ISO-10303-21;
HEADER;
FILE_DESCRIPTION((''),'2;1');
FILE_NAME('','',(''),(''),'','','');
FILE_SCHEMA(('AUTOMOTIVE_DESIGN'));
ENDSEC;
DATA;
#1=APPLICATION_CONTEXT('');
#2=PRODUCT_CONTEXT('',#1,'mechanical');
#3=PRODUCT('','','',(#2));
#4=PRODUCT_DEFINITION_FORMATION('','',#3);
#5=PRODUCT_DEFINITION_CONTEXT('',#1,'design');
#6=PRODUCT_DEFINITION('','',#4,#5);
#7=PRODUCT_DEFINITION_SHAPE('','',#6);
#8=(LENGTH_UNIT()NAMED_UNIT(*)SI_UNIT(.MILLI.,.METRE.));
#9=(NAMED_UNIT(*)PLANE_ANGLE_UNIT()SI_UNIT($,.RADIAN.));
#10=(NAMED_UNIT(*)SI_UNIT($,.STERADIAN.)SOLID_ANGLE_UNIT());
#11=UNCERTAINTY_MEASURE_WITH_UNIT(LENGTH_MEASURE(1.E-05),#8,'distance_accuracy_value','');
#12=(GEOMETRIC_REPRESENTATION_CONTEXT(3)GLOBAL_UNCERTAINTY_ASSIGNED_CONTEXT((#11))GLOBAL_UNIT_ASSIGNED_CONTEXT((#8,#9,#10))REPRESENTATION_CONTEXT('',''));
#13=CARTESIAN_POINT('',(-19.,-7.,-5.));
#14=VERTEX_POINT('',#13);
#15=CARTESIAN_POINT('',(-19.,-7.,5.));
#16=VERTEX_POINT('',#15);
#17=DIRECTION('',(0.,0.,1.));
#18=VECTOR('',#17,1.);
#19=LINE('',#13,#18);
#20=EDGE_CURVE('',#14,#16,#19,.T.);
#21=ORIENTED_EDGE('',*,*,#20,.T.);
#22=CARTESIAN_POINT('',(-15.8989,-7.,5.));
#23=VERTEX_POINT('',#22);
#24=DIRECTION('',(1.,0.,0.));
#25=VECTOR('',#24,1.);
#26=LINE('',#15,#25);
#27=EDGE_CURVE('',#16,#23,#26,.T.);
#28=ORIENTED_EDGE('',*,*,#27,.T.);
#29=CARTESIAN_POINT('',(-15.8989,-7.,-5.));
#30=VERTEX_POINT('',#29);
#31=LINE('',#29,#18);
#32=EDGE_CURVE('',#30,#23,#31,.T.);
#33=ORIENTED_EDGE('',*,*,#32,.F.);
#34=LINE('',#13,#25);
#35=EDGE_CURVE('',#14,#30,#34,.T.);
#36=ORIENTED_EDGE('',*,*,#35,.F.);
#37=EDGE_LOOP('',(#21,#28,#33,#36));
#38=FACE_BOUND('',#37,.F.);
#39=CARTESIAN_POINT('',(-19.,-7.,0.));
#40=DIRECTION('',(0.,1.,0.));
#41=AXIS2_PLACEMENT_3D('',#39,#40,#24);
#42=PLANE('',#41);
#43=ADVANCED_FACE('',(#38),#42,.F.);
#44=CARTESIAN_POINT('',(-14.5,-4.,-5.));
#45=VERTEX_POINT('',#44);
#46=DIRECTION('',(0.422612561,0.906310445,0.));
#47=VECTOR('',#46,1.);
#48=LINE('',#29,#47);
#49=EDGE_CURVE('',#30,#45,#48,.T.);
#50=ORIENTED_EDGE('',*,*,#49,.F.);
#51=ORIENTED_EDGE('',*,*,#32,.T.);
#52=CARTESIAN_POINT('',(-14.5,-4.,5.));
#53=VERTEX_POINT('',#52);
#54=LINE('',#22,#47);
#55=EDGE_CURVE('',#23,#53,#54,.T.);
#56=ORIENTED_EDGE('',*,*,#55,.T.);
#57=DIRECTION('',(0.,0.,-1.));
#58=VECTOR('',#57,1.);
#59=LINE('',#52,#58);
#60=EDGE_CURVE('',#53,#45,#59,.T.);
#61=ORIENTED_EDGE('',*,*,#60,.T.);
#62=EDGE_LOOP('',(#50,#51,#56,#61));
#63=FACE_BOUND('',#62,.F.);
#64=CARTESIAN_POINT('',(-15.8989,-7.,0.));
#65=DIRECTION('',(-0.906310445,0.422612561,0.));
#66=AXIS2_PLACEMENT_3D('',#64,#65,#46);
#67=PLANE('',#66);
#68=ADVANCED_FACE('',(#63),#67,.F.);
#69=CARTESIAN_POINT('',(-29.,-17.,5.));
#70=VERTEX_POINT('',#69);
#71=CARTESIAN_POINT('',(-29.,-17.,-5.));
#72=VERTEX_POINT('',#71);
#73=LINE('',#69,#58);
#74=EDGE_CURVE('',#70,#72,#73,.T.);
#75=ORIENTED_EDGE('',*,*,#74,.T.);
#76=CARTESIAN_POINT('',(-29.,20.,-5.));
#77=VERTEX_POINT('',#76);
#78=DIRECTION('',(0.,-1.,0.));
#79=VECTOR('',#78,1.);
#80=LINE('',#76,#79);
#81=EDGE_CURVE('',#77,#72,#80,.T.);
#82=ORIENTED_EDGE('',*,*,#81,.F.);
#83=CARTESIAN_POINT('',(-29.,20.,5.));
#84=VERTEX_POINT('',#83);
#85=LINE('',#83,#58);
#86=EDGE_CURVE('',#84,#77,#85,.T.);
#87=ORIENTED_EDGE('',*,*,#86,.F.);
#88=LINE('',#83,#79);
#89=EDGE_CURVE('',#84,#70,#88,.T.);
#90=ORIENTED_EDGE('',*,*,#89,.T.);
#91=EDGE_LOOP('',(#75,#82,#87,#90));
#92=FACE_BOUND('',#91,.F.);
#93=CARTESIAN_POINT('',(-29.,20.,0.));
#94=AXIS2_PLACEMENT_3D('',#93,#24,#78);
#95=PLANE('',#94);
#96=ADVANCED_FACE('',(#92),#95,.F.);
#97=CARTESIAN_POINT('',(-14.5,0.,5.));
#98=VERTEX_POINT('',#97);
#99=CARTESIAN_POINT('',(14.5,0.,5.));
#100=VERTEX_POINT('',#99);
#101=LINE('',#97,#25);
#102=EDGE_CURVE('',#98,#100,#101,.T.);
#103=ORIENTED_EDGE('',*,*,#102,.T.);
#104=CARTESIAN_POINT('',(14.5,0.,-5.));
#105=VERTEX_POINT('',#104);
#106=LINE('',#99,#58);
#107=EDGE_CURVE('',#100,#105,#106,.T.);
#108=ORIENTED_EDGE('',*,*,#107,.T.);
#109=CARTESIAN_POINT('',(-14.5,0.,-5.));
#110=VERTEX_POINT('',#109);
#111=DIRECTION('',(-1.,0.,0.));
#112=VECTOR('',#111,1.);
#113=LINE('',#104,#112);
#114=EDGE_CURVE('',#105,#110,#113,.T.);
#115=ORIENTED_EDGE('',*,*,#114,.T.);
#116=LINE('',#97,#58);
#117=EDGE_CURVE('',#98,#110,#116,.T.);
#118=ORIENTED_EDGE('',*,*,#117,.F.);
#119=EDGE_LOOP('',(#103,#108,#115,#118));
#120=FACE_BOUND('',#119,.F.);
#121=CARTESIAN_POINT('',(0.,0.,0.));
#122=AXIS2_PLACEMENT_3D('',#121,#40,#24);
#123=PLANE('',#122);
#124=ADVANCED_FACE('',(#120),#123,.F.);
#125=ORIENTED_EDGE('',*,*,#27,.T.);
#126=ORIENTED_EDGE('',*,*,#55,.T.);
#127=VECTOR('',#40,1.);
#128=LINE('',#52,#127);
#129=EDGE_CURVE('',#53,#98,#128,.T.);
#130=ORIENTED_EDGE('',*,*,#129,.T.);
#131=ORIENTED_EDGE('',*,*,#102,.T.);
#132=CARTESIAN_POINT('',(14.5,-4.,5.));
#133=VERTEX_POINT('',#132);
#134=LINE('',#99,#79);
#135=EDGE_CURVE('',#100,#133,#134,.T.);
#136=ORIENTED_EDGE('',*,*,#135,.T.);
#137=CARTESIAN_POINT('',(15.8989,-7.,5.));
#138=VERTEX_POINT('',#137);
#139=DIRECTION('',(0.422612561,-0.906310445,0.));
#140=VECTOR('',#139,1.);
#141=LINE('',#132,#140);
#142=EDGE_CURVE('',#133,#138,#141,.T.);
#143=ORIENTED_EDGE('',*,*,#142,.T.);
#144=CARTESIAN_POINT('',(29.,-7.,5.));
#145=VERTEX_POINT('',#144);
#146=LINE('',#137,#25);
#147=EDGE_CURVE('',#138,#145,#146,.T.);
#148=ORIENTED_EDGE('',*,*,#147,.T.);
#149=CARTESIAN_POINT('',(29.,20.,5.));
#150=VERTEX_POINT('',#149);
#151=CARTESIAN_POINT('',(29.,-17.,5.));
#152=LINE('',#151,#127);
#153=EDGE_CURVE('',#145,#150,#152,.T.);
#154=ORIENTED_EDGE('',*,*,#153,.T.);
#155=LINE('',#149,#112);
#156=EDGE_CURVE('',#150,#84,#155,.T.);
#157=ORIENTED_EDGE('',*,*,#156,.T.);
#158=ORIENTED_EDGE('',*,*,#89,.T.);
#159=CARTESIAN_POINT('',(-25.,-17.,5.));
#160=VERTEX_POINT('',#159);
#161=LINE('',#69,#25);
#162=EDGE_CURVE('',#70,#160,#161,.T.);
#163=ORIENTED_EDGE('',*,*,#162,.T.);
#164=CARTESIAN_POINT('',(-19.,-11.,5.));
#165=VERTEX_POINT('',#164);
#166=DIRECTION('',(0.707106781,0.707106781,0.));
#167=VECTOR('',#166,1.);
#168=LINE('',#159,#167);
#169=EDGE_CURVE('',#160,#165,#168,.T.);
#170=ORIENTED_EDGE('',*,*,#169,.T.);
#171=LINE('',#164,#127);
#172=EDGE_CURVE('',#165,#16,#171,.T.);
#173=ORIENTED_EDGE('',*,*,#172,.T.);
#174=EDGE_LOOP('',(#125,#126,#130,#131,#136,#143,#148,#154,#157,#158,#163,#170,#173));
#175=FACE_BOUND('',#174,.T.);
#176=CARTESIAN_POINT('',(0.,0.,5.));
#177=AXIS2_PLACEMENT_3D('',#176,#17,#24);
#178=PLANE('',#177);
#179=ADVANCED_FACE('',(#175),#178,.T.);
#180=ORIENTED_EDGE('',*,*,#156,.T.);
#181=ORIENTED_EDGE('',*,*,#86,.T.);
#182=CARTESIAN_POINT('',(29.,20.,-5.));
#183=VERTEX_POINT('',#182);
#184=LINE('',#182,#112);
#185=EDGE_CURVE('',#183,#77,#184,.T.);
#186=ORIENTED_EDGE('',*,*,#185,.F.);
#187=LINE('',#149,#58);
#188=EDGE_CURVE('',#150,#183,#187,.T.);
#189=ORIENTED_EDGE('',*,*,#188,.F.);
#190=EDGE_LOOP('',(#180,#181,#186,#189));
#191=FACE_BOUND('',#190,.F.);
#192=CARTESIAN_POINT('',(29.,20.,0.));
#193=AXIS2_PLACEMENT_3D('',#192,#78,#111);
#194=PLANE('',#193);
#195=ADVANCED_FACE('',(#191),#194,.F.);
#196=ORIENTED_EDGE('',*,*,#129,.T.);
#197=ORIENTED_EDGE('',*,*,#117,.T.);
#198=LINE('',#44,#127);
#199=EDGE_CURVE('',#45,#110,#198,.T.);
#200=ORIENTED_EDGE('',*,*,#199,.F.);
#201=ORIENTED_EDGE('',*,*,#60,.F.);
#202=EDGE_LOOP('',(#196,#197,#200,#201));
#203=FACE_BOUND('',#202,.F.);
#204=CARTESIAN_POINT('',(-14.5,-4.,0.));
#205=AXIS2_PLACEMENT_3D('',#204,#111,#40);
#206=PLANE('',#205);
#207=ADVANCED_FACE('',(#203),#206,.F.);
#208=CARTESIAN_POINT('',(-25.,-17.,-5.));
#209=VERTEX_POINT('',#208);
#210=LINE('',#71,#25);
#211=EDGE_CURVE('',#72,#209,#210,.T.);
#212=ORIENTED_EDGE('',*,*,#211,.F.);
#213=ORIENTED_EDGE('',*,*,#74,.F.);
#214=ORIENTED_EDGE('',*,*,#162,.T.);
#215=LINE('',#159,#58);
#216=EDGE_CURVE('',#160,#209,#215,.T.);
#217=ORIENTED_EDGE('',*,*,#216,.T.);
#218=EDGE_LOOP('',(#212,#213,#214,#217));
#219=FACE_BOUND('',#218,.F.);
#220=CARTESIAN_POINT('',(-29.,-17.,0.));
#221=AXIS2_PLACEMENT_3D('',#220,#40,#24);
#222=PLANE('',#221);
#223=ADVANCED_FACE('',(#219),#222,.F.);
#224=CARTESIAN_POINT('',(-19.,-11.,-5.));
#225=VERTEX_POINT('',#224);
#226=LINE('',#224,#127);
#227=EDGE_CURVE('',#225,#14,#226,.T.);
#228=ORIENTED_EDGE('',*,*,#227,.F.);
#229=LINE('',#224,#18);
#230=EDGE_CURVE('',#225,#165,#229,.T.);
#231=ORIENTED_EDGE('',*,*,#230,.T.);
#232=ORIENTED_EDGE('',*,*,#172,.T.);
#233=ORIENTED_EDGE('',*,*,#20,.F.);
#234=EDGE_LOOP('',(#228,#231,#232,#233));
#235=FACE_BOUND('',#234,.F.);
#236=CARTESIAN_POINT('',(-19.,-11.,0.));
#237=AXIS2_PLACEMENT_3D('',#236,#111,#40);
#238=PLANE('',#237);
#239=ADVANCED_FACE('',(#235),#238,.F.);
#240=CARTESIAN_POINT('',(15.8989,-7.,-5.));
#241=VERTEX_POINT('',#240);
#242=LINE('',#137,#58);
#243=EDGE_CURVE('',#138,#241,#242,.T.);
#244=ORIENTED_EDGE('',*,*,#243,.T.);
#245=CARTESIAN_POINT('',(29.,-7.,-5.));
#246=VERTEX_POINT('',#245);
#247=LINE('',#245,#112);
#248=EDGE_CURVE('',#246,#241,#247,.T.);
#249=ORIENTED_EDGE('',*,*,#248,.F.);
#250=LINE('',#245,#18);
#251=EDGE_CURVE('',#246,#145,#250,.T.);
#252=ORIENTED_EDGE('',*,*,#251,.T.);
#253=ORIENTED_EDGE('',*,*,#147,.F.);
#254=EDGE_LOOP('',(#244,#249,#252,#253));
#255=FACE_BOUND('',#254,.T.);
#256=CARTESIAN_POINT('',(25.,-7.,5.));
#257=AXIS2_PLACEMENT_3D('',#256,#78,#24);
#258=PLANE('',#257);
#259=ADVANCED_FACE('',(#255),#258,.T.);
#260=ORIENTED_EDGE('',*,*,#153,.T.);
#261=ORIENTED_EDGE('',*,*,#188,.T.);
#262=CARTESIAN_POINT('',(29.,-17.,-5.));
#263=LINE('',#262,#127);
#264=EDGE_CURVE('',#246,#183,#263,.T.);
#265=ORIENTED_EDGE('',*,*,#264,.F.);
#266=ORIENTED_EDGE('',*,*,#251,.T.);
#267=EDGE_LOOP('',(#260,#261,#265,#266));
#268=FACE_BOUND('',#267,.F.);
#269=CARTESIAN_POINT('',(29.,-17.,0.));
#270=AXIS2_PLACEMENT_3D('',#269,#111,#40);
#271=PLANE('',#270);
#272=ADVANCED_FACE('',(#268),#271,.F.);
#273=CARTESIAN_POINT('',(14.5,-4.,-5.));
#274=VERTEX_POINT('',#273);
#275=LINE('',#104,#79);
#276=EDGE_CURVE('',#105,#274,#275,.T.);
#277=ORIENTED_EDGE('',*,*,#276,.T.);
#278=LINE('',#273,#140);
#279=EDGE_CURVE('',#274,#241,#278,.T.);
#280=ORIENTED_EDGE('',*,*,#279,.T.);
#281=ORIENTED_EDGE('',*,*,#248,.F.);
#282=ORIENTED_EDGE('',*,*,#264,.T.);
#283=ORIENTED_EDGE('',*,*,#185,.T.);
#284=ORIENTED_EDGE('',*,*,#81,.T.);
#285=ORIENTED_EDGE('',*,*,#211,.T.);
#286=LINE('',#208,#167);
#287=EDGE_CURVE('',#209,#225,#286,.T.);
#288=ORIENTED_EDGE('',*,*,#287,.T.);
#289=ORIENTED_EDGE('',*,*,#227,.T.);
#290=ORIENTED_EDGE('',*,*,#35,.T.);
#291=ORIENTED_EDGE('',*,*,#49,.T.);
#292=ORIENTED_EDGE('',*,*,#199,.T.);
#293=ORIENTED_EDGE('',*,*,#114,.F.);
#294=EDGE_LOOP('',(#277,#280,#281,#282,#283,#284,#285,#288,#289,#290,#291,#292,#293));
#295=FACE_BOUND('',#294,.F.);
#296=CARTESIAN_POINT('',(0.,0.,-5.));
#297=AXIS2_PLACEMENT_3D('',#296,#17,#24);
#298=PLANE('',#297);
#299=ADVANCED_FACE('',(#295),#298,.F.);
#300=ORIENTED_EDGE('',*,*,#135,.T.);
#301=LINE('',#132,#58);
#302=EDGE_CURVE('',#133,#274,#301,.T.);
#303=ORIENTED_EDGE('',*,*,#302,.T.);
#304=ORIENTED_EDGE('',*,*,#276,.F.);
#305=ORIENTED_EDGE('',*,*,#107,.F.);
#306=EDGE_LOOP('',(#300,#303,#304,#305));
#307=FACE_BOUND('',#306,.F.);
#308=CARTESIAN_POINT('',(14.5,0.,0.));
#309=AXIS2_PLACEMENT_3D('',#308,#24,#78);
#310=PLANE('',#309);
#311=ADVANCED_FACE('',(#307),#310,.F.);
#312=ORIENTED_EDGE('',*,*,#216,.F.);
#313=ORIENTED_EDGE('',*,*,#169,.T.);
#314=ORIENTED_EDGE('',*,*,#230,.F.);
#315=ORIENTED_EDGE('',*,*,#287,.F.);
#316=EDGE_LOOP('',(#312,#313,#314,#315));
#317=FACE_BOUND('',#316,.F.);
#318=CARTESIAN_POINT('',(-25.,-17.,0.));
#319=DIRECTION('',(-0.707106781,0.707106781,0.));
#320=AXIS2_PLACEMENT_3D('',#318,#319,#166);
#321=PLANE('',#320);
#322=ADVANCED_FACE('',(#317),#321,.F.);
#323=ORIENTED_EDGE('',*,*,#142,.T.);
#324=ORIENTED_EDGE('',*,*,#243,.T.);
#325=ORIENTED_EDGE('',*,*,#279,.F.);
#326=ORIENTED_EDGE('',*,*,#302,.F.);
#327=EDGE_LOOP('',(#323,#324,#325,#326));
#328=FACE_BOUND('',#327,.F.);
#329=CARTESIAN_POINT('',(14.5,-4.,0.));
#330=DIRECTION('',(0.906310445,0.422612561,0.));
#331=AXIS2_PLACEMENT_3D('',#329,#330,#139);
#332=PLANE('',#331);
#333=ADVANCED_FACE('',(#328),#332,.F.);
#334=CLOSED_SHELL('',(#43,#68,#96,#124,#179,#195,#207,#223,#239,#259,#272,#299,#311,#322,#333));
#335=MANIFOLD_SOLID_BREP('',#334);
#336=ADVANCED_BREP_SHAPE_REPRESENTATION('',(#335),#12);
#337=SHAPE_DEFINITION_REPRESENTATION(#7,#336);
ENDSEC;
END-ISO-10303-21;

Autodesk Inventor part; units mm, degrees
ref_plane "YZ Plane" through (0, 0, 0) normal (1, 0, 0) x (0, 1, 0)
ref_plane "XZ Plane" through (0, 0, 0) normal (0, 1, 0) x (-1, 0, 0)
ref_plane "XY Plane" through (0, 0, 0) normal (0, 0, 1) x (1, 0, 0)
sketch "Skizze1" plane through (0, 0, 0) normal (0, 0, 1) x (1, 0, 0)
  line L0 (-19, -11) -> (-19, -7)
  line L1 (-19, -7) -> (-15.8989, -7)
  line L2 (-15.8989, -7) -> (-14.5, -4)
  line L3 (-14.5, -4) -> (-14.5, 0)
  line L4 (-14.5, 0) -> (14.5, 0)
  line L5 (14.5, 0) -> (14.5, -4)
  line L6 (14.5, -4) -> (15.8989, -7)
  line L7 (15.8989, -7) -> (19, -7)
  line L8 (19, -7) -> (19, -11)
  line L9 (19, -11) -> (25, -17)
  line L10 (25, -17) -> (29, -17)
  line L11 (29, -17) -> (29, 20)
  line L12 (29, 20) -> (-29, 20)
  line L13 (-29, 20) -> (-29, -17)
  line L14 (-29, -17) -> (-25, -17)
  line L15 (-25, -17) -> (-19, -11)
  line L16 (0, 0) -> (0, -29.3821)
  dimension "d5" = 29
  dimension "d6" = 20
  dimension "d7" = 4
  dimension "d8" = 4.5
  dimension "d10" = 38
  dimension "d12" = 25
  dimension "d13" = 10
  dimension "d14" = 10
  dimension "d15" = 7
  dimension "d16" = 45
  dimension "d17" = 10
  dimension "d18" = 4
extrude "Extrusion1" add sketch "Skizze1" along normal mid plane 10
sketch "Skizze2" plane through (25, -17, 5) normal (0, -1, 0) x (1, 0, 0)
  line L0 (4, -10) -> (4, 0) projected
  line L1 (-54, -10) -> (4, -10) projected
  line L2 (4, 0) -> (-6, 0)
  line L3 (-6, 0) -> (-6, -10)
  line L4 (-6, -10) -> (4, -10)
  line L5 (4, -10) -> (4, 0)
  point P0 (-25, -5)
  dimension "d21" = 10
extrude "Extrusion2" cut sketch "Skizze2" against normal blind 10
properties part number "_WT_Aufnahme_Antriebseinheit3"
